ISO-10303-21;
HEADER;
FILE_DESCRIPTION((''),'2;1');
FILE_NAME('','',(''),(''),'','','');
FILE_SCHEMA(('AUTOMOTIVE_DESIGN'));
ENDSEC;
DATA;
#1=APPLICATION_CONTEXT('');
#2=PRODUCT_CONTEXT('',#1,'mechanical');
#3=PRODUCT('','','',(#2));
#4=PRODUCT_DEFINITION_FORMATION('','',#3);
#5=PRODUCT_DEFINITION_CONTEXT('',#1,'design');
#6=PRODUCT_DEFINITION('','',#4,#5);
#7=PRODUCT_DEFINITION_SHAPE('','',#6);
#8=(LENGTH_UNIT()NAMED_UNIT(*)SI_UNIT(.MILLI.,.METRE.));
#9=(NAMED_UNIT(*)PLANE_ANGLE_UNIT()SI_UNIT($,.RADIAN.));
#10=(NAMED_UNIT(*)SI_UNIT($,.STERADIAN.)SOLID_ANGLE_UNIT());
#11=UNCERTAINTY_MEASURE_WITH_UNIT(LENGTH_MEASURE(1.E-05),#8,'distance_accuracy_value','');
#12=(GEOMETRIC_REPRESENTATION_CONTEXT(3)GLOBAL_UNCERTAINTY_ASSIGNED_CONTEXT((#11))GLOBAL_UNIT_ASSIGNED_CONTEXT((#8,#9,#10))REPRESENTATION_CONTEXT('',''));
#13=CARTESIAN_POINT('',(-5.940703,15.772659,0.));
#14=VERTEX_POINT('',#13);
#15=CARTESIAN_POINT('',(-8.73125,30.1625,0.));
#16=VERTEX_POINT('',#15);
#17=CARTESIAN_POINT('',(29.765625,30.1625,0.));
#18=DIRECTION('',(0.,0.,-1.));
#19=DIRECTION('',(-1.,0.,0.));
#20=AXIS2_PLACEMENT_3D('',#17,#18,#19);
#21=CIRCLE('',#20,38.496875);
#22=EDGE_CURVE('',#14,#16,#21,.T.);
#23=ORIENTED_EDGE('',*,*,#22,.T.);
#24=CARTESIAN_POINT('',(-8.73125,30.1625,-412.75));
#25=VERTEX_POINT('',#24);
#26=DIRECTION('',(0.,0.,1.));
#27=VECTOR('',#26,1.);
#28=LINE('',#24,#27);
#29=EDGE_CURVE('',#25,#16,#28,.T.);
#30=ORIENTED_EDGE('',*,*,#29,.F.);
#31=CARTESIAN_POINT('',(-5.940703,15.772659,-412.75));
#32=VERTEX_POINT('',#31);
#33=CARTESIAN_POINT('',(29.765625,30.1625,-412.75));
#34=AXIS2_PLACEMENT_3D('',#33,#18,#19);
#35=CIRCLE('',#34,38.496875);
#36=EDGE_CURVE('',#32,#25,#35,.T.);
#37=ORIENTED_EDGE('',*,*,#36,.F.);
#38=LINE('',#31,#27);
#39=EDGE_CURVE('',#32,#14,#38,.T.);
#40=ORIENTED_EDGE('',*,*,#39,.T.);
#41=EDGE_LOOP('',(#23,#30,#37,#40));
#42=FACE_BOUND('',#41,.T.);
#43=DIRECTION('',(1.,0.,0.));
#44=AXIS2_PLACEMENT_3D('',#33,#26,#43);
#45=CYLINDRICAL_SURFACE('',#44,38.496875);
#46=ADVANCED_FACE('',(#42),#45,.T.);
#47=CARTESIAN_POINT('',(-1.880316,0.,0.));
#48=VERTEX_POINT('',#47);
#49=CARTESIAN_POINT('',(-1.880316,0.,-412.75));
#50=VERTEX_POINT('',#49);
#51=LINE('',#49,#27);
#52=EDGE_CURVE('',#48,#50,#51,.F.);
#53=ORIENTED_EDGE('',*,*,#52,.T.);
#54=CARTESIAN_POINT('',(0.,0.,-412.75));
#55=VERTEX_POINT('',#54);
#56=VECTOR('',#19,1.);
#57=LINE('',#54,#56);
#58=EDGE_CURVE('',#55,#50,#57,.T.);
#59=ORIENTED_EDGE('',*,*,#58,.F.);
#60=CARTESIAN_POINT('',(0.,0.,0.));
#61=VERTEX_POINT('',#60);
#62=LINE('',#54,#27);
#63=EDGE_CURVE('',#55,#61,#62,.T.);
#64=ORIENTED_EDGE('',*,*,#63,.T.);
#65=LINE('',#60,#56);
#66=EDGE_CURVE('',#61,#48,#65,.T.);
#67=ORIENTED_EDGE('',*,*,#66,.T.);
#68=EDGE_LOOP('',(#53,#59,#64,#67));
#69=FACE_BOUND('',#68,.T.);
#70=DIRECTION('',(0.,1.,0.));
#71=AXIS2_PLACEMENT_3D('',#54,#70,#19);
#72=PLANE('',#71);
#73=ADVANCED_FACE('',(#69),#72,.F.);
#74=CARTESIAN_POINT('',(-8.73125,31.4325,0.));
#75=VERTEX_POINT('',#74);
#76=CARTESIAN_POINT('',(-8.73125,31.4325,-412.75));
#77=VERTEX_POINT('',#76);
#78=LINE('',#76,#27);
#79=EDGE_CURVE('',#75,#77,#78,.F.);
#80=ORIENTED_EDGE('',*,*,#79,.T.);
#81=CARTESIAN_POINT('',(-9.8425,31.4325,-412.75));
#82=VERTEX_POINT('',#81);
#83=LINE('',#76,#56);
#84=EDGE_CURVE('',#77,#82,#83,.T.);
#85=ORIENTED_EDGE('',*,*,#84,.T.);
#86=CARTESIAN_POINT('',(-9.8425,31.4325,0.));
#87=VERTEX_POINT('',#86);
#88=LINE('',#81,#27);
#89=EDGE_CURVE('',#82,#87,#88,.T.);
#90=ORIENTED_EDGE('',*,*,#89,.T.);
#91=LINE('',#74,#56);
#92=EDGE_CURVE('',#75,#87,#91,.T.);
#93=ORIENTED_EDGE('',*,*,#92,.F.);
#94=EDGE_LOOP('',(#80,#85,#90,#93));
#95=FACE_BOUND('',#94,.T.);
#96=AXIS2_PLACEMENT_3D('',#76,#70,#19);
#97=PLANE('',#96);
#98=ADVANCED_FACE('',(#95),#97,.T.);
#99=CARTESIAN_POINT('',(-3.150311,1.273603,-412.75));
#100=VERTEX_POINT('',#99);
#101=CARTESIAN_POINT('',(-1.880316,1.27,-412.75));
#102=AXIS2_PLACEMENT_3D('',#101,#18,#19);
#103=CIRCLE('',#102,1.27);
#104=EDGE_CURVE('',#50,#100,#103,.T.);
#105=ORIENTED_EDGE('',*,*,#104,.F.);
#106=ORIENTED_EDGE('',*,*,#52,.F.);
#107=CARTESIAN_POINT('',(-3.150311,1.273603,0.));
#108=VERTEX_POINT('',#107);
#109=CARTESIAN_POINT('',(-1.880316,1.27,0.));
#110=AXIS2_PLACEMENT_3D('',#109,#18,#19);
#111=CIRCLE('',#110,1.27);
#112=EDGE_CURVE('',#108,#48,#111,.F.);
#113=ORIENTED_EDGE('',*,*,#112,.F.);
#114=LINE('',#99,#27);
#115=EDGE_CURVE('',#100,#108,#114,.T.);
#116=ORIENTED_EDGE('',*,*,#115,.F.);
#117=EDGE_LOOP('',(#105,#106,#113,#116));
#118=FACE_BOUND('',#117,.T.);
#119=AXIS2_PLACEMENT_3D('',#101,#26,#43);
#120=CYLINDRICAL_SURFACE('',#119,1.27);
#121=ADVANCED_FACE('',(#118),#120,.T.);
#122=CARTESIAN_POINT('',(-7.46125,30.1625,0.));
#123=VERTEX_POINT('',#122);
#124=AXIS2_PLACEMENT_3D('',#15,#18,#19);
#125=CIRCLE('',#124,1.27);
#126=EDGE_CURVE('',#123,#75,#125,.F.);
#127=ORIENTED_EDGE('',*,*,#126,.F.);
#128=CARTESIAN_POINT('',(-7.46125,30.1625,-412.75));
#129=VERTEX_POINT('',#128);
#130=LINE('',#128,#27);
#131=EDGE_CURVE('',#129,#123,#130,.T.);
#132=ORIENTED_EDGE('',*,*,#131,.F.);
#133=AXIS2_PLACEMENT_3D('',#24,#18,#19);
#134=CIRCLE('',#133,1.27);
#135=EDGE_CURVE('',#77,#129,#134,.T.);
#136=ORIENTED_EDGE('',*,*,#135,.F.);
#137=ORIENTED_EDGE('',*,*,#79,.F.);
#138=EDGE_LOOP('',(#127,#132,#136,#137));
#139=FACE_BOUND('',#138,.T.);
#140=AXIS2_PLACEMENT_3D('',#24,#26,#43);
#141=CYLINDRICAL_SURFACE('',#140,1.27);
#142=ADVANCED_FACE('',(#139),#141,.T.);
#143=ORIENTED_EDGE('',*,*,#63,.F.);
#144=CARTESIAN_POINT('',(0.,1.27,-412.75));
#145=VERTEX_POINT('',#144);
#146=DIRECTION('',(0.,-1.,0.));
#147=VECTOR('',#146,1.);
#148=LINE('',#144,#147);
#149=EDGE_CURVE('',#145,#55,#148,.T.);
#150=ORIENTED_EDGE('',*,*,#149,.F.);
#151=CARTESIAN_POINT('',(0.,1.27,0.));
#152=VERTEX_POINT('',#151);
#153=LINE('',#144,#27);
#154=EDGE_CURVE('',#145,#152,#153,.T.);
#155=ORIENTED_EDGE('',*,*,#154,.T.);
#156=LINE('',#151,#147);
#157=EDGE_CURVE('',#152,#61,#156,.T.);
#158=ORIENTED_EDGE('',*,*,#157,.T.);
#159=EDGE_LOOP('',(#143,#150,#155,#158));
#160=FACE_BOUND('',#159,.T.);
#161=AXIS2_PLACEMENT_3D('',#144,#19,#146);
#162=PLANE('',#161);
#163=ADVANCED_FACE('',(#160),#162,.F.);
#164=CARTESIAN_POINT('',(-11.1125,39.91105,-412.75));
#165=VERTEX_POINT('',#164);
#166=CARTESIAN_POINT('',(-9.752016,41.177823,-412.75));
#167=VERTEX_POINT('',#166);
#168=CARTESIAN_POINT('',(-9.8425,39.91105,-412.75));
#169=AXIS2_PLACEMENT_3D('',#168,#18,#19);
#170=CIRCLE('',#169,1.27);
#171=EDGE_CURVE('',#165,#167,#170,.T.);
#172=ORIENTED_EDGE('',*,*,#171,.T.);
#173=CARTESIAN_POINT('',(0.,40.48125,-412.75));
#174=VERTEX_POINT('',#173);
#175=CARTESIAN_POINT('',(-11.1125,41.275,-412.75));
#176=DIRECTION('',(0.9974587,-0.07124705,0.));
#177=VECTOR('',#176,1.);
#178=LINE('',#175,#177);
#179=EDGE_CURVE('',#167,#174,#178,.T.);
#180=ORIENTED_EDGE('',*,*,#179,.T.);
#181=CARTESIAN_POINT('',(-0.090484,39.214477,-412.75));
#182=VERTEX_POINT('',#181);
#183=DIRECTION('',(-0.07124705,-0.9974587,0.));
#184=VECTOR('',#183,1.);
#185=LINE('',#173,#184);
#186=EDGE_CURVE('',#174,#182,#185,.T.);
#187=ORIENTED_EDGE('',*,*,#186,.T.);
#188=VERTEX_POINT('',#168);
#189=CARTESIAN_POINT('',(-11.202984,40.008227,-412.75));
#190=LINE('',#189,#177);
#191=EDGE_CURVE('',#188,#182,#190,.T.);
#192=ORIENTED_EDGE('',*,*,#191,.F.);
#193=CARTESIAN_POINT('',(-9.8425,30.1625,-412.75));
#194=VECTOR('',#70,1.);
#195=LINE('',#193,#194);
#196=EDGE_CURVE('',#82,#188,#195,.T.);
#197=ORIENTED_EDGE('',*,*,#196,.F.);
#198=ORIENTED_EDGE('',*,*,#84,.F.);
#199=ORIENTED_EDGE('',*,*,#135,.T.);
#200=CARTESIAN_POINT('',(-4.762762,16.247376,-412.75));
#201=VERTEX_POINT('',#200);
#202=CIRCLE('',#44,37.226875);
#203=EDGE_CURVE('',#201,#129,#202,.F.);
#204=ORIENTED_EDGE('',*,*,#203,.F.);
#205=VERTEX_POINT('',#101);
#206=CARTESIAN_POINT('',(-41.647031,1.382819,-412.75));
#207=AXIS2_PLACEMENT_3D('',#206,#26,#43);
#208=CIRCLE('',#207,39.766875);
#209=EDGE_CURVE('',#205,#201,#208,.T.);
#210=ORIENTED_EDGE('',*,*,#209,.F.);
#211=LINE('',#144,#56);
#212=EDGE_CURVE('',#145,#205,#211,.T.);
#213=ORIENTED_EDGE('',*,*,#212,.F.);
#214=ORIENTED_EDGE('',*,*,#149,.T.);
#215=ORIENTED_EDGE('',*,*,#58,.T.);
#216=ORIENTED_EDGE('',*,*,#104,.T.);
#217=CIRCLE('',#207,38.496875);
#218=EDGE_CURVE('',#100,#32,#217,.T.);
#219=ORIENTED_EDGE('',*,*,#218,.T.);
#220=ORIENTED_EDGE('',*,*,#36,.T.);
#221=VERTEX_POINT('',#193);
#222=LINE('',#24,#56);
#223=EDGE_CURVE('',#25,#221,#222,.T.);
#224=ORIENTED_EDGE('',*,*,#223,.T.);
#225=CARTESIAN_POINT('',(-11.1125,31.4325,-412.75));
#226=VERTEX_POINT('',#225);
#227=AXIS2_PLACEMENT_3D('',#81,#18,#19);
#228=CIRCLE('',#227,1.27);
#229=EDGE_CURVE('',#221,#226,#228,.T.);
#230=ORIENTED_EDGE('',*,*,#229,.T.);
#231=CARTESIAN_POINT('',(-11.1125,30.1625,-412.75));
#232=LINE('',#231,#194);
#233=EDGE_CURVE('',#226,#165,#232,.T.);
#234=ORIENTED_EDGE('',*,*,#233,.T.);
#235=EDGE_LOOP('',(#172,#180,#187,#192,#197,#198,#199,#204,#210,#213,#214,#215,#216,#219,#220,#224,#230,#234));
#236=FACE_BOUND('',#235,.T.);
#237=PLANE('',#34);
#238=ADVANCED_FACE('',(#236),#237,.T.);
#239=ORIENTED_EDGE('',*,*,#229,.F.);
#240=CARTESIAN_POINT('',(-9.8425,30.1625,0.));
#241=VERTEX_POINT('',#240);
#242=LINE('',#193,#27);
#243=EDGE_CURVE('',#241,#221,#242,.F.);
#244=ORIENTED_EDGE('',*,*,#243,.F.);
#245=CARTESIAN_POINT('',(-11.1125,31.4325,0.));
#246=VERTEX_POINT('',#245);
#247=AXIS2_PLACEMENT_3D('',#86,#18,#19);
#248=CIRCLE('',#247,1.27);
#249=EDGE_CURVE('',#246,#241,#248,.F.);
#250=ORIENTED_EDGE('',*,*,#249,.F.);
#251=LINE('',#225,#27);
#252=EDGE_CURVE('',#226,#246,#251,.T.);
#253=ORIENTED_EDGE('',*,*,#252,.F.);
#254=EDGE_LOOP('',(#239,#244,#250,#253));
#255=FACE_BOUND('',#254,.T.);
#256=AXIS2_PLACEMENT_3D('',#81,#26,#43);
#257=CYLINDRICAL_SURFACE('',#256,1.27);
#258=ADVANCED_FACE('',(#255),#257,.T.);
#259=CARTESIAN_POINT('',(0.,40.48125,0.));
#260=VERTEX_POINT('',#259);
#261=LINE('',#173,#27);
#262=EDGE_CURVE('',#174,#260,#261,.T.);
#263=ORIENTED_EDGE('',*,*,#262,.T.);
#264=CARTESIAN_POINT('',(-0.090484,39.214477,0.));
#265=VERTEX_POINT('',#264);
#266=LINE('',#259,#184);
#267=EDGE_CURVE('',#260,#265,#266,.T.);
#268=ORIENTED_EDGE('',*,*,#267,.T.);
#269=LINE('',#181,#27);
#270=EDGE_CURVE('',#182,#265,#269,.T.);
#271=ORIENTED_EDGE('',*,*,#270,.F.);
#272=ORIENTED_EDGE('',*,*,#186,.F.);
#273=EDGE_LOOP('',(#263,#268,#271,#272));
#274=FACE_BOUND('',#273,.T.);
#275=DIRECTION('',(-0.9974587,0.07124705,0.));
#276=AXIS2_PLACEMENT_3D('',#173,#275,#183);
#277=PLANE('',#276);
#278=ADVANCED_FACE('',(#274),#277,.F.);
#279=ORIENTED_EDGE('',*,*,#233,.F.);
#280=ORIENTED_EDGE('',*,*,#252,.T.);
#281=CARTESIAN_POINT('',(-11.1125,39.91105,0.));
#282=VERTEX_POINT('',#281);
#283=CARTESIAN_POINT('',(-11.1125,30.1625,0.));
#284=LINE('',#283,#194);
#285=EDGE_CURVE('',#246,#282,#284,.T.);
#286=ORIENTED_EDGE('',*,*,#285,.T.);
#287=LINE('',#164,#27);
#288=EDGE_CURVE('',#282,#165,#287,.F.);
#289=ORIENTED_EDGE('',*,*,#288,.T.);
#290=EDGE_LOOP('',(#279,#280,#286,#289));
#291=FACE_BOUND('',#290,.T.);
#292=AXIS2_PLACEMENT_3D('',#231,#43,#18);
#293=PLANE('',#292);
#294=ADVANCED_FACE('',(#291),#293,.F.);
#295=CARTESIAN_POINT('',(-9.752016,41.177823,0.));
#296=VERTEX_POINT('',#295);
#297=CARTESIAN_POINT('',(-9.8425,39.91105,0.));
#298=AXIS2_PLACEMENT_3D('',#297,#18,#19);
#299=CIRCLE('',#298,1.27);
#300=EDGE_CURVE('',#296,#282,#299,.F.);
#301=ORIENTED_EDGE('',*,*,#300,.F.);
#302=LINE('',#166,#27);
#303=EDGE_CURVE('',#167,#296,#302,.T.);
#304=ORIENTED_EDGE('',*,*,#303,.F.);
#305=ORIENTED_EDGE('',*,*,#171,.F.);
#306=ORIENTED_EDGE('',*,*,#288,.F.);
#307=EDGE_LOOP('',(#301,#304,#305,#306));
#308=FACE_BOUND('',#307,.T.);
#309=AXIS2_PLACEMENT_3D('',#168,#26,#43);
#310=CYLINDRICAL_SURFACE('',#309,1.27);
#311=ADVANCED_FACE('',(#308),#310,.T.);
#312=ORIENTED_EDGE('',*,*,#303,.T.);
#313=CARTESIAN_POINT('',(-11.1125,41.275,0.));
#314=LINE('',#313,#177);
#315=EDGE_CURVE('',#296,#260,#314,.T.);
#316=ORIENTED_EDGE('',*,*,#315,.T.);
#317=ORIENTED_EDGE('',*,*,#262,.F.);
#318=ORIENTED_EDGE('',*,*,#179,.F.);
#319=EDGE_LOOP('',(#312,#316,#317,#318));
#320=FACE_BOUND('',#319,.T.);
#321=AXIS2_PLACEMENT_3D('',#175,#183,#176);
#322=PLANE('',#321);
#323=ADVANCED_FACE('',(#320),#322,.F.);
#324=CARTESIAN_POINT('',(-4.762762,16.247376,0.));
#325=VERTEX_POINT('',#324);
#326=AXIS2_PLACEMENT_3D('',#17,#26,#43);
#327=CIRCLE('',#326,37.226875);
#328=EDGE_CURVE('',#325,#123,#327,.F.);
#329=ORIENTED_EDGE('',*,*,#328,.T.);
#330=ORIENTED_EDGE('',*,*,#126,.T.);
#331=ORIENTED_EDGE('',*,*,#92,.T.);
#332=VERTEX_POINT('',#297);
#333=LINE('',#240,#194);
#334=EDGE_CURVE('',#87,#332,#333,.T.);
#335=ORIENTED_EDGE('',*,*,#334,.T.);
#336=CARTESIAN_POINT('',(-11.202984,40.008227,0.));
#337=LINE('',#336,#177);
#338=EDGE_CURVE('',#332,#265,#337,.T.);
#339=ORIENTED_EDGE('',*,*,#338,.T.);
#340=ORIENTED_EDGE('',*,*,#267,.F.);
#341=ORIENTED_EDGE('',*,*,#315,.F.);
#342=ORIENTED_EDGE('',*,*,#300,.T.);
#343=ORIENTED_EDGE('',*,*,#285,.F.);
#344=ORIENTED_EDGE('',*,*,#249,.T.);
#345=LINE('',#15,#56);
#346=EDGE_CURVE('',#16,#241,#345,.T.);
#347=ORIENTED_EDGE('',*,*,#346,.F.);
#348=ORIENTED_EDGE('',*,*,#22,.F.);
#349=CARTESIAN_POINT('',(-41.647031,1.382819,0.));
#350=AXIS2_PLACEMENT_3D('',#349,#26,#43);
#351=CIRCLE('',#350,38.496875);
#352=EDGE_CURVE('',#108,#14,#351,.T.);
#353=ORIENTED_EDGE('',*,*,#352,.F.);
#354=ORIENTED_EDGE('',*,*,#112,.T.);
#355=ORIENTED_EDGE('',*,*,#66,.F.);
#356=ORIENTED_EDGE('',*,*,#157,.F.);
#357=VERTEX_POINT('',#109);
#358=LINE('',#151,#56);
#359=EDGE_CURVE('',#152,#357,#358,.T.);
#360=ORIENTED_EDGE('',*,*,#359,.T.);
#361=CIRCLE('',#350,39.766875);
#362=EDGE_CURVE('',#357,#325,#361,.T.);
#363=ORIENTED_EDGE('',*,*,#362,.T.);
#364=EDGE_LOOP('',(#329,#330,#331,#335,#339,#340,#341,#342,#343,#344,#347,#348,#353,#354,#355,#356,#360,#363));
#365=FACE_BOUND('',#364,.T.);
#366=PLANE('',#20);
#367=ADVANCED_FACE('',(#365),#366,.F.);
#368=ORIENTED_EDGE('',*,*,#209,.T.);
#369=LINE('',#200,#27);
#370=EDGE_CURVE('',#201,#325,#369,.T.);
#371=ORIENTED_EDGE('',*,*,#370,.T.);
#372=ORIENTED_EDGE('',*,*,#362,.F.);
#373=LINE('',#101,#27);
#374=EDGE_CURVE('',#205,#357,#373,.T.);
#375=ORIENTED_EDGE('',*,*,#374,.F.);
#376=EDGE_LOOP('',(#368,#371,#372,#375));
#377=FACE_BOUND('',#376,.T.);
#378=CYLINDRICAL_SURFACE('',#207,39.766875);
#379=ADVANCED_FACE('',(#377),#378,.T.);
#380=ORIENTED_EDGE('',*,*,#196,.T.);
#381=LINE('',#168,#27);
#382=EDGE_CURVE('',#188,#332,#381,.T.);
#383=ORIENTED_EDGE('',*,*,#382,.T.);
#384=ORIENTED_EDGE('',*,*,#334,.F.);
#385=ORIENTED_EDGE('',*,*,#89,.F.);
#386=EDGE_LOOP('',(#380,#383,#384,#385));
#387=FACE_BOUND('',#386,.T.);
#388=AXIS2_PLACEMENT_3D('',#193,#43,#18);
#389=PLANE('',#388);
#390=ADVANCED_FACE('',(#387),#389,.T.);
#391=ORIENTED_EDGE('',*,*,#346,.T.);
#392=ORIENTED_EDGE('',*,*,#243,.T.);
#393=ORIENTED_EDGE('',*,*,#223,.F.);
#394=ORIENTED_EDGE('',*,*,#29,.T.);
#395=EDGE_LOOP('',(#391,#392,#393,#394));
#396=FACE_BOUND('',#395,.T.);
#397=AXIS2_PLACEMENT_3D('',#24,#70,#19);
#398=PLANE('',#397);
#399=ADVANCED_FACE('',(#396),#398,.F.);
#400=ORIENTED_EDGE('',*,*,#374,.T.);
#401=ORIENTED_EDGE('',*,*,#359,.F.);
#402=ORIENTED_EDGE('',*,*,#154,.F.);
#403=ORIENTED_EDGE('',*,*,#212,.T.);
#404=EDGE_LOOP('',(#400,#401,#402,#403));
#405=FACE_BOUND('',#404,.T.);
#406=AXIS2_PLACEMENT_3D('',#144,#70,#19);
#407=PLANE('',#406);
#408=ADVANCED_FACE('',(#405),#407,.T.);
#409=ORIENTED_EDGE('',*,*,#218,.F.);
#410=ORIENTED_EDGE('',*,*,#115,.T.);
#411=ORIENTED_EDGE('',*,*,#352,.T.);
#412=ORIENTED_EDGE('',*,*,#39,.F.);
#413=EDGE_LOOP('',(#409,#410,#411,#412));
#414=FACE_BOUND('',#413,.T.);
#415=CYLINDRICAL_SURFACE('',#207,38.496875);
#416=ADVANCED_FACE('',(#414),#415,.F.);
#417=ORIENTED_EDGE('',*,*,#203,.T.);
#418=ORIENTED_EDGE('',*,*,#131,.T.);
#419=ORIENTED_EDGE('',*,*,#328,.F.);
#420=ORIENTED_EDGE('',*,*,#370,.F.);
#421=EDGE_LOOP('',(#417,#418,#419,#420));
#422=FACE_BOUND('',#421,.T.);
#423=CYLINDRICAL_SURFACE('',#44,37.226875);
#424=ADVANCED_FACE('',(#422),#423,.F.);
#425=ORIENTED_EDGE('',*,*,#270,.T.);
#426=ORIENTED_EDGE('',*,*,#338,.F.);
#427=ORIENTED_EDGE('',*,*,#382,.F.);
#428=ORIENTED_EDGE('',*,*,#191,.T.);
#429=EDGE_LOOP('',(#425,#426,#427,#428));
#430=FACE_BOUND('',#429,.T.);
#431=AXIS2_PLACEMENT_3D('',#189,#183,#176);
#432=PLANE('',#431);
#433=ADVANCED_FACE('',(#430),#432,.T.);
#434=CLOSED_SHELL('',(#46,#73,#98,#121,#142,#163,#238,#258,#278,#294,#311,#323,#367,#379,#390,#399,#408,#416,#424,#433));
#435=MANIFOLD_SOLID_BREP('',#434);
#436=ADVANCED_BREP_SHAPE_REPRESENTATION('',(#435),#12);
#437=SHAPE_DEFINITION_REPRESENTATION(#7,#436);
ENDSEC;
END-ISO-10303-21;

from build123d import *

# Parameters (mm, degrees)
EXTRUDE_THIN1_DEPTH = 412.75
FILLET1_R           = 1.27


with BuildPart() as part:
    # Sketch1 → Extrude-Thin1 (new body)
    with BuildSketch(Plane.XY):
        with BuildLine():
            Line((0, 0), (-3.175, 0))
            ThreePointArc((-3.175, 0), (-3.728678916, 8.031723409), (-5.94070318, 15.772659394))
            ThreePointArc((-5.94070318, 15.772659394), (-8.027174826, 22.833539224), (-8.73125, 30.1625))
            Line((-8.73125, 30.1625), (-11.1125, 30.1625))
            Line((-11.1125, 30.1625), (-11.1125, 41.275))
            Line((-11.1125, 41.275), (0, 40.48125))
            Line((0, 40.48125), (-0.090483753, 39.214477451))
            Line((-0.090483753, 39.214477451), (-9.8425, 39.91105004))
            Line((-9.8425, 39.91105004), (-9.8425, 31.4325))
            Line((-9.8425, 31.4325), (-7.43958058, 31.4325))
            ThreePointArc((-7.43958058, 31.4325), (-6.895991056, 23.69982792), (-4.762762457, 16.247375785))
            ThreePointArc((-4.762762457, 16.247375785), (-2.59675891, 8.898174327), (-1.880316394, 1.27))
            Line((-1.880316394, 1.27), (0, 1.27))
            Line((0, 1.27), (0, 0))
        make_face()
    extrude(amount=-EXTRUDE_THIN1_DEPTH)

    # Fillet1
    fillet1_edges = [part.edges().sort_by_distance(p)[0] for p in [
        (-7.43958058, 31.4325, -206.375),
        (-3.175, 0, -206.375),
        (-11.1125, 30.1625, -206.375),
        (-11.1125, 41.275, -206.375),
    ]]
    fillet(fillet1_edges, radius=FILLET1_R)


solid = part.part
